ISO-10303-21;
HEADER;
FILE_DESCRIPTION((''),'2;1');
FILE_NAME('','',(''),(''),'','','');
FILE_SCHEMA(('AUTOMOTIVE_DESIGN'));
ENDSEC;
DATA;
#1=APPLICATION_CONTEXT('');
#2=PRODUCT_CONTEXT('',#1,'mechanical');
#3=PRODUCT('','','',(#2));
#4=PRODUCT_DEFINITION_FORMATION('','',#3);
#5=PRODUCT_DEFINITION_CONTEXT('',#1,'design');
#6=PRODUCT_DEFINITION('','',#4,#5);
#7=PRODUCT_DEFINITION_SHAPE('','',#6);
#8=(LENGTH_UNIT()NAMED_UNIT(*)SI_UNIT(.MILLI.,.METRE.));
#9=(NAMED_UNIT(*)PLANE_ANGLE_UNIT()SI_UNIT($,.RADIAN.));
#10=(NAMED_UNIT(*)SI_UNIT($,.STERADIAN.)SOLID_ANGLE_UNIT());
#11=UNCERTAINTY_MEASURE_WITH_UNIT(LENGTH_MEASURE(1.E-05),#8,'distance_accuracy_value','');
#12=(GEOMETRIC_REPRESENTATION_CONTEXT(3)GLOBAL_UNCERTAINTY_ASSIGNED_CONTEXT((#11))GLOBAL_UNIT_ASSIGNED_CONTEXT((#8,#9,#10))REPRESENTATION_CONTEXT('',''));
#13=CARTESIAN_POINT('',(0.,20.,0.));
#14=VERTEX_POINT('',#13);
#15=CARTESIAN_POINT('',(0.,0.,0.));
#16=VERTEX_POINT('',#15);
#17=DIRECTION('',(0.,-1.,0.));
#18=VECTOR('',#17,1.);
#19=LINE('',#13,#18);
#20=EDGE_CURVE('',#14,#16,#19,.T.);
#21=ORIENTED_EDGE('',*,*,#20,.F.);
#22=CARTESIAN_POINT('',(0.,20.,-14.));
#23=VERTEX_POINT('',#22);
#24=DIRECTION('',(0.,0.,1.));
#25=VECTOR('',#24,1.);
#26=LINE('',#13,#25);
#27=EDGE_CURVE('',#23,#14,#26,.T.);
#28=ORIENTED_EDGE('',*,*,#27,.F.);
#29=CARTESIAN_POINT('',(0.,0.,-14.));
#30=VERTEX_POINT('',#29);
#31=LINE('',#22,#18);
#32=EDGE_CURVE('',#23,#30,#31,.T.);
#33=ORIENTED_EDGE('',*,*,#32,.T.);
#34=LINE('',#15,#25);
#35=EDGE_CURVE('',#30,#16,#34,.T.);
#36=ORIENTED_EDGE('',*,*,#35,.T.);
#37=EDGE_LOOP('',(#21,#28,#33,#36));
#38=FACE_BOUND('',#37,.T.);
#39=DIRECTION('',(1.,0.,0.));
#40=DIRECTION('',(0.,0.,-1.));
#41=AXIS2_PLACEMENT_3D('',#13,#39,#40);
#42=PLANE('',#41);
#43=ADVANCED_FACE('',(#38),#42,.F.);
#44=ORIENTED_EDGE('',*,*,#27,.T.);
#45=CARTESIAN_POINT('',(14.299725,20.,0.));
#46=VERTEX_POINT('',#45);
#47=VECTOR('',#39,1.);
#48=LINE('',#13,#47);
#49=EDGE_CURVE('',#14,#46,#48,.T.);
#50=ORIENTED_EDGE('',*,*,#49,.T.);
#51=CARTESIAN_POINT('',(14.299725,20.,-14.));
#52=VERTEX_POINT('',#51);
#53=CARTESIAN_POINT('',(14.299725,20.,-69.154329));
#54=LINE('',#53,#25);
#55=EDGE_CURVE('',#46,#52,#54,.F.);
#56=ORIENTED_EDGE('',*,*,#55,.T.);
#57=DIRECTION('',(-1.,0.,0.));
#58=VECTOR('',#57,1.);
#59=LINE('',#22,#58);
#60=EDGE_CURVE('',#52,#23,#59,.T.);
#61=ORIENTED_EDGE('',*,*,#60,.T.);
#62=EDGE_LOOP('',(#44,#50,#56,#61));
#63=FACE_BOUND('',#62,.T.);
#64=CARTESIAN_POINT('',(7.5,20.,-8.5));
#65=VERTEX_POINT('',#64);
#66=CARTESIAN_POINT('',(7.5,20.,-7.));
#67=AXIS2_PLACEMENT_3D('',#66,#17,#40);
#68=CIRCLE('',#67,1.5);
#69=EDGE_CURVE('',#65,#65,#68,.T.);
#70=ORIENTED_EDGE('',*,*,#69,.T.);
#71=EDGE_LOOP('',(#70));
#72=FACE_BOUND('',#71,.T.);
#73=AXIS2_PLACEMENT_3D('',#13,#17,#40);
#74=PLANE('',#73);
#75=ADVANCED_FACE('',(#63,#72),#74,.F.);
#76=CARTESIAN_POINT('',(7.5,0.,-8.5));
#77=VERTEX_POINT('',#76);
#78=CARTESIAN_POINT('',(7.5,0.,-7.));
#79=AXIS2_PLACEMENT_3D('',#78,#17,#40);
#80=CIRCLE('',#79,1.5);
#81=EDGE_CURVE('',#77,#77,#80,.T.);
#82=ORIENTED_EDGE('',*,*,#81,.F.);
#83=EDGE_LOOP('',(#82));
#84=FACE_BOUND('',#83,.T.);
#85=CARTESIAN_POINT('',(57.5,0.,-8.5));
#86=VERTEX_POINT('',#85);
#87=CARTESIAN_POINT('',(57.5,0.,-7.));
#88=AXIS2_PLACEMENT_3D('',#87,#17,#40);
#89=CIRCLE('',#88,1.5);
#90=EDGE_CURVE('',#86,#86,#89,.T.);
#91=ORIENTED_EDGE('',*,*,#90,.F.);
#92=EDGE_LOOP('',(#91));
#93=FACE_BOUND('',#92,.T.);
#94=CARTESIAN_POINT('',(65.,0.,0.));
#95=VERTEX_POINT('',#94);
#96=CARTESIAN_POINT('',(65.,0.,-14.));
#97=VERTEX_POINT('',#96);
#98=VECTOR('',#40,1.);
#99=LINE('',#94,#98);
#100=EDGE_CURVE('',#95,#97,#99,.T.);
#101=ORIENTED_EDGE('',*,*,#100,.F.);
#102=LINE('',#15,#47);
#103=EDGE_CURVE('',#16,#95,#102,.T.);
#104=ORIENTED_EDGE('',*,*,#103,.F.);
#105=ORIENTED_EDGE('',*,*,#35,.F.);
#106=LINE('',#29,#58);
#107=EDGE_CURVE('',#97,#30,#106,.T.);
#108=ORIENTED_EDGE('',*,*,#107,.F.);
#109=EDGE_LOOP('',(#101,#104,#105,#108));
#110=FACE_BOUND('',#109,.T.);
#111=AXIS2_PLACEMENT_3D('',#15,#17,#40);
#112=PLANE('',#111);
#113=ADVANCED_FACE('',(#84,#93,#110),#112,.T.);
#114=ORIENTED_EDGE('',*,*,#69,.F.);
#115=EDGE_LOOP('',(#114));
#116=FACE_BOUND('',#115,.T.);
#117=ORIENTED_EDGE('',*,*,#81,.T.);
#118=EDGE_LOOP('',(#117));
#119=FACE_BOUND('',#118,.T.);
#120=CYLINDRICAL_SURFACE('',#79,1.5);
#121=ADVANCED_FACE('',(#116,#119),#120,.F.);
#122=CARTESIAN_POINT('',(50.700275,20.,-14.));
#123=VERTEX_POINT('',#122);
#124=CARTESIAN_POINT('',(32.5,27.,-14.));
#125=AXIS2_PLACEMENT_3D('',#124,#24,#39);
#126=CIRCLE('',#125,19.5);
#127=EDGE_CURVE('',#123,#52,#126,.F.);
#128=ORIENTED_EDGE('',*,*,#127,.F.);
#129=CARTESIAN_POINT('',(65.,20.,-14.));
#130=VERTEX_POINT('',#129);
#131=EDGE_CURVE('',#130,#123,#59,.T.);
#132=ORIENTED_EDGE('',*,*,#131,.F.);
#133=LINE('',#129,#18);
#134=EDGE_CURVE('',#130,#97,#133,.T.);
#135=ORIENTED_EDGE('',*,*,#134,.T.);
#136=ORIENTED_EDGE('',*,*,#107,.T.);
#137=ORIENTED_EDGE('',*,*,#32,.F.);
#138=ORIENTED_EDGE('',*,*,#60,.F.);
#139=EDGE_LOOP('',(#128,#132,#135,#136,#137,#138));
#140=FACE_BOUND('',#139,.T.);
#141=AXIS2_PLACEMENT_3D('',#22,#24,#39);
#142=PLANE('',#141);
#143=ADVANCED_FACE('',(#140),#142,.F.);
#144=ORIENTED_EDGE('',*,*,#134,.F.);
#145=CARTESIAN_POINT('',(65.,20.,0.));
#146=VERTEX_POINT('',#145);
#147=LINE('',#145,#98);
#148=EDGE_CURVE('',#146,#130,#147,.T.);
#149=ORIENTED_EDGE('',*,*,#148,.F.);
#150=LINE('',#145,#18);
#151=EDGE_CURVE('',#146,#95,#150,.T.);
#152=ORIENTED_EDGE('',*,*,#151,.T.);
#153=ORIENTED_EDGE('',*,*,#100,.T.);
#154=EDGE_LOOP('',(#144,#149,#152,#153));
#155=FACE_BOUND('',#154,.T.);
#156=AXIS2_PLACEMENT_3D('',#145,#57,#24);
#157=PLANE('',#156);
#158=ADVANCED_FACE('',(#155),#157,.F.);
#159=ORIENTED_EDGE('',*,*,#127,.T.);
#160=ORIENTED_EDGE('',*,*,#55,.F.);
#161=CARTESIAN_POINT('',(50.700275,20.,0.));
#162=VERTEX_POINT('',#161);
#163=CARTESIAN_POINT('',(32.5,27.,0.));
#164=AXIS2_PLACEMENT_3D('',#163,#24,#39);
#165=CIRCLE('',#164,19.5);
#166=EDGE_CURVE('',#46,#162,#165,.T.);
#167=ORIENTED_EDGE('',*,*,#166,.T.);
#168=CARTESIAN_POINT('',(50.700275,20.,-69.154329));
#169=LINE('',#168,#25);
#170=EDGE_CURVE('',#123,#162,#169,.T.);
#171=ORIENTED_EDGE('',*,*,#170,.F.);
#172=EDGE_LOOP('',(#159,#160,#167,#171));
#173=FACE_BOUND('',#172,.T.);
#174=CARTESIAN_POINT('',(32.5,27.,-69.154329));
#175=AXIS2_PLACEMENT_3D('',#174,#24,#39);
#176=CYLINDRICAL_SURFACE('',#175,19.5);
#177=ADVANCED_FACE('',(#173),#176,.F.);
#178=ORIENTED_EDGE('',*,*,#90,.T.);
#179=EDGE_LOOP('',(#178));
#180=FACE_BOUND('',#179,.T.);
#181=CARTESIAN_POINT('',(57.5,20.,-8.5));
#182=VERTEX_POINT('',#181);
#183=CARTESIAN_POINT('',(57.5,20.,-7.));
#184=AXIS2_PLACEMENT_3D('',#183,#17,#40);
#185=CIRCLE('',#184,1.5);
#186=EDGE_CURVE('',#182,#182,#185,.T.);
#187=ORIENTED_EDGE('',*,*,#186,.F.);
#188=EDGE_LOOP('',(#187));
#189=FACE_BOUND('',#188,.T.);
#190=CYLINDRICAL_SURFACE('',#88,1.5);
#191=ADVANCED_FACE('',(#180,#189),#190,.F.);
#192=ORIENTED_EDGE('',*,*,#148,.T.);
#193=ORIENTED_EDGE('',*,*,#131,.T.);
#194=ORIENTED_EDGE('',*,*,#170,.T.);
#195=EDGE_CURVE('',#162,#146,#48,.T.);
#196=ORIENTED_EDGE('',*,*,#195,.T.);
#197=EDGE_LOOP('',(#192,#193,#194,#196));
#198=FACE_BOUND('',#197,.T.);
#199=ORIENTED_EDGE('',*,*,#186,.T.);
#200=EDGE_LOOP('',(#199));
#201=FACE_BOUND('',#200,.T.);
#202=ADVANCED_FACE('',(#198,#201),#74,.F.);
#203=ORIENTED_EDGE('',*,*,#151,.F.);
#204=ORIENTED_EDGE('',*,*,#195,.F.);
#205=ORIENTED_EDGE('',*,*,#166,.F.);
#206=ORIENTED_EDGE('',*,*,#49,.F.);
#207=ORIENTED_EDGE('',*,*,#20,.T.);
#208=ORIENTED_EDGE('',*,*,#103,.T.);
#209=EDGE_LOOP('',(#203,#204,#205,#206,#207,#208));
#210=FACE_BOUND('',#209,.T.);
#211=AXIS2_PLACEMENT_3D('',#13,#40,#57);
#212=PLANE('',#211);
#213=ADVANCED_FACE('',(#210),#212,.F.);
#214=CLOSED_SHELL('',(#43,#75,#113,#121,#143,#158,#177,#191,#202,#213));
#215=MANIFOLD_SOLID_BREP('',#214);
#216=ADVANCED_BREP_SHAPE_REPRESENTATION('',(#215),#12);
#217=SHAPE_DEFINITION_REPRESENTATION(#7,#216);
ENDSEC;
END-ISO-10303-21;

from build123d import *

# Parameters (mm, degrees)
SKETCH1_W           = 65
SKETCH1_H           = 14
BOSS_EXTRUDE1_DEPTH = 20
SKETCH2_R           = 19.5
CUT_EXTRUDE1_DEPTH  = 14
HOLE1_D             = 3


with BuildPart() as part:
    # Sketch1 → Boss-Extrude1 (new body)
    with BuildSketch(Plane(origin=(0, 0, 0), x_dir=(1, 0, 0), z_dir=(0, 1, 0))):
        with Locations((32.5, 7)):
            Rectangle(SKETCH1_W, SKETCH1_H)
    extrude(amount=BOSS_EXTRUDE1_DEPTH)

    # Sketch2 → Cut-Extrude1 (cut)
    with BuildSketch(Plane.XY):
        with Locations((32.5, 27)):
            Circle(SKETCH2_R)
    extrude(amount=-CUT_EXTRUDE1_DEPTH, mode=Mode.SUBTRACT)

    # Hole1 (through all)
    with Locations(Plane(origin=(0, 0, 0), x_dir=(-1, 0, 0), z_dir=(0, -1, 0))):
        with Locations((-57.5, 7), (-7.5, 7)):
            Hole(HOLE1_D / 2)


solid = part.part
